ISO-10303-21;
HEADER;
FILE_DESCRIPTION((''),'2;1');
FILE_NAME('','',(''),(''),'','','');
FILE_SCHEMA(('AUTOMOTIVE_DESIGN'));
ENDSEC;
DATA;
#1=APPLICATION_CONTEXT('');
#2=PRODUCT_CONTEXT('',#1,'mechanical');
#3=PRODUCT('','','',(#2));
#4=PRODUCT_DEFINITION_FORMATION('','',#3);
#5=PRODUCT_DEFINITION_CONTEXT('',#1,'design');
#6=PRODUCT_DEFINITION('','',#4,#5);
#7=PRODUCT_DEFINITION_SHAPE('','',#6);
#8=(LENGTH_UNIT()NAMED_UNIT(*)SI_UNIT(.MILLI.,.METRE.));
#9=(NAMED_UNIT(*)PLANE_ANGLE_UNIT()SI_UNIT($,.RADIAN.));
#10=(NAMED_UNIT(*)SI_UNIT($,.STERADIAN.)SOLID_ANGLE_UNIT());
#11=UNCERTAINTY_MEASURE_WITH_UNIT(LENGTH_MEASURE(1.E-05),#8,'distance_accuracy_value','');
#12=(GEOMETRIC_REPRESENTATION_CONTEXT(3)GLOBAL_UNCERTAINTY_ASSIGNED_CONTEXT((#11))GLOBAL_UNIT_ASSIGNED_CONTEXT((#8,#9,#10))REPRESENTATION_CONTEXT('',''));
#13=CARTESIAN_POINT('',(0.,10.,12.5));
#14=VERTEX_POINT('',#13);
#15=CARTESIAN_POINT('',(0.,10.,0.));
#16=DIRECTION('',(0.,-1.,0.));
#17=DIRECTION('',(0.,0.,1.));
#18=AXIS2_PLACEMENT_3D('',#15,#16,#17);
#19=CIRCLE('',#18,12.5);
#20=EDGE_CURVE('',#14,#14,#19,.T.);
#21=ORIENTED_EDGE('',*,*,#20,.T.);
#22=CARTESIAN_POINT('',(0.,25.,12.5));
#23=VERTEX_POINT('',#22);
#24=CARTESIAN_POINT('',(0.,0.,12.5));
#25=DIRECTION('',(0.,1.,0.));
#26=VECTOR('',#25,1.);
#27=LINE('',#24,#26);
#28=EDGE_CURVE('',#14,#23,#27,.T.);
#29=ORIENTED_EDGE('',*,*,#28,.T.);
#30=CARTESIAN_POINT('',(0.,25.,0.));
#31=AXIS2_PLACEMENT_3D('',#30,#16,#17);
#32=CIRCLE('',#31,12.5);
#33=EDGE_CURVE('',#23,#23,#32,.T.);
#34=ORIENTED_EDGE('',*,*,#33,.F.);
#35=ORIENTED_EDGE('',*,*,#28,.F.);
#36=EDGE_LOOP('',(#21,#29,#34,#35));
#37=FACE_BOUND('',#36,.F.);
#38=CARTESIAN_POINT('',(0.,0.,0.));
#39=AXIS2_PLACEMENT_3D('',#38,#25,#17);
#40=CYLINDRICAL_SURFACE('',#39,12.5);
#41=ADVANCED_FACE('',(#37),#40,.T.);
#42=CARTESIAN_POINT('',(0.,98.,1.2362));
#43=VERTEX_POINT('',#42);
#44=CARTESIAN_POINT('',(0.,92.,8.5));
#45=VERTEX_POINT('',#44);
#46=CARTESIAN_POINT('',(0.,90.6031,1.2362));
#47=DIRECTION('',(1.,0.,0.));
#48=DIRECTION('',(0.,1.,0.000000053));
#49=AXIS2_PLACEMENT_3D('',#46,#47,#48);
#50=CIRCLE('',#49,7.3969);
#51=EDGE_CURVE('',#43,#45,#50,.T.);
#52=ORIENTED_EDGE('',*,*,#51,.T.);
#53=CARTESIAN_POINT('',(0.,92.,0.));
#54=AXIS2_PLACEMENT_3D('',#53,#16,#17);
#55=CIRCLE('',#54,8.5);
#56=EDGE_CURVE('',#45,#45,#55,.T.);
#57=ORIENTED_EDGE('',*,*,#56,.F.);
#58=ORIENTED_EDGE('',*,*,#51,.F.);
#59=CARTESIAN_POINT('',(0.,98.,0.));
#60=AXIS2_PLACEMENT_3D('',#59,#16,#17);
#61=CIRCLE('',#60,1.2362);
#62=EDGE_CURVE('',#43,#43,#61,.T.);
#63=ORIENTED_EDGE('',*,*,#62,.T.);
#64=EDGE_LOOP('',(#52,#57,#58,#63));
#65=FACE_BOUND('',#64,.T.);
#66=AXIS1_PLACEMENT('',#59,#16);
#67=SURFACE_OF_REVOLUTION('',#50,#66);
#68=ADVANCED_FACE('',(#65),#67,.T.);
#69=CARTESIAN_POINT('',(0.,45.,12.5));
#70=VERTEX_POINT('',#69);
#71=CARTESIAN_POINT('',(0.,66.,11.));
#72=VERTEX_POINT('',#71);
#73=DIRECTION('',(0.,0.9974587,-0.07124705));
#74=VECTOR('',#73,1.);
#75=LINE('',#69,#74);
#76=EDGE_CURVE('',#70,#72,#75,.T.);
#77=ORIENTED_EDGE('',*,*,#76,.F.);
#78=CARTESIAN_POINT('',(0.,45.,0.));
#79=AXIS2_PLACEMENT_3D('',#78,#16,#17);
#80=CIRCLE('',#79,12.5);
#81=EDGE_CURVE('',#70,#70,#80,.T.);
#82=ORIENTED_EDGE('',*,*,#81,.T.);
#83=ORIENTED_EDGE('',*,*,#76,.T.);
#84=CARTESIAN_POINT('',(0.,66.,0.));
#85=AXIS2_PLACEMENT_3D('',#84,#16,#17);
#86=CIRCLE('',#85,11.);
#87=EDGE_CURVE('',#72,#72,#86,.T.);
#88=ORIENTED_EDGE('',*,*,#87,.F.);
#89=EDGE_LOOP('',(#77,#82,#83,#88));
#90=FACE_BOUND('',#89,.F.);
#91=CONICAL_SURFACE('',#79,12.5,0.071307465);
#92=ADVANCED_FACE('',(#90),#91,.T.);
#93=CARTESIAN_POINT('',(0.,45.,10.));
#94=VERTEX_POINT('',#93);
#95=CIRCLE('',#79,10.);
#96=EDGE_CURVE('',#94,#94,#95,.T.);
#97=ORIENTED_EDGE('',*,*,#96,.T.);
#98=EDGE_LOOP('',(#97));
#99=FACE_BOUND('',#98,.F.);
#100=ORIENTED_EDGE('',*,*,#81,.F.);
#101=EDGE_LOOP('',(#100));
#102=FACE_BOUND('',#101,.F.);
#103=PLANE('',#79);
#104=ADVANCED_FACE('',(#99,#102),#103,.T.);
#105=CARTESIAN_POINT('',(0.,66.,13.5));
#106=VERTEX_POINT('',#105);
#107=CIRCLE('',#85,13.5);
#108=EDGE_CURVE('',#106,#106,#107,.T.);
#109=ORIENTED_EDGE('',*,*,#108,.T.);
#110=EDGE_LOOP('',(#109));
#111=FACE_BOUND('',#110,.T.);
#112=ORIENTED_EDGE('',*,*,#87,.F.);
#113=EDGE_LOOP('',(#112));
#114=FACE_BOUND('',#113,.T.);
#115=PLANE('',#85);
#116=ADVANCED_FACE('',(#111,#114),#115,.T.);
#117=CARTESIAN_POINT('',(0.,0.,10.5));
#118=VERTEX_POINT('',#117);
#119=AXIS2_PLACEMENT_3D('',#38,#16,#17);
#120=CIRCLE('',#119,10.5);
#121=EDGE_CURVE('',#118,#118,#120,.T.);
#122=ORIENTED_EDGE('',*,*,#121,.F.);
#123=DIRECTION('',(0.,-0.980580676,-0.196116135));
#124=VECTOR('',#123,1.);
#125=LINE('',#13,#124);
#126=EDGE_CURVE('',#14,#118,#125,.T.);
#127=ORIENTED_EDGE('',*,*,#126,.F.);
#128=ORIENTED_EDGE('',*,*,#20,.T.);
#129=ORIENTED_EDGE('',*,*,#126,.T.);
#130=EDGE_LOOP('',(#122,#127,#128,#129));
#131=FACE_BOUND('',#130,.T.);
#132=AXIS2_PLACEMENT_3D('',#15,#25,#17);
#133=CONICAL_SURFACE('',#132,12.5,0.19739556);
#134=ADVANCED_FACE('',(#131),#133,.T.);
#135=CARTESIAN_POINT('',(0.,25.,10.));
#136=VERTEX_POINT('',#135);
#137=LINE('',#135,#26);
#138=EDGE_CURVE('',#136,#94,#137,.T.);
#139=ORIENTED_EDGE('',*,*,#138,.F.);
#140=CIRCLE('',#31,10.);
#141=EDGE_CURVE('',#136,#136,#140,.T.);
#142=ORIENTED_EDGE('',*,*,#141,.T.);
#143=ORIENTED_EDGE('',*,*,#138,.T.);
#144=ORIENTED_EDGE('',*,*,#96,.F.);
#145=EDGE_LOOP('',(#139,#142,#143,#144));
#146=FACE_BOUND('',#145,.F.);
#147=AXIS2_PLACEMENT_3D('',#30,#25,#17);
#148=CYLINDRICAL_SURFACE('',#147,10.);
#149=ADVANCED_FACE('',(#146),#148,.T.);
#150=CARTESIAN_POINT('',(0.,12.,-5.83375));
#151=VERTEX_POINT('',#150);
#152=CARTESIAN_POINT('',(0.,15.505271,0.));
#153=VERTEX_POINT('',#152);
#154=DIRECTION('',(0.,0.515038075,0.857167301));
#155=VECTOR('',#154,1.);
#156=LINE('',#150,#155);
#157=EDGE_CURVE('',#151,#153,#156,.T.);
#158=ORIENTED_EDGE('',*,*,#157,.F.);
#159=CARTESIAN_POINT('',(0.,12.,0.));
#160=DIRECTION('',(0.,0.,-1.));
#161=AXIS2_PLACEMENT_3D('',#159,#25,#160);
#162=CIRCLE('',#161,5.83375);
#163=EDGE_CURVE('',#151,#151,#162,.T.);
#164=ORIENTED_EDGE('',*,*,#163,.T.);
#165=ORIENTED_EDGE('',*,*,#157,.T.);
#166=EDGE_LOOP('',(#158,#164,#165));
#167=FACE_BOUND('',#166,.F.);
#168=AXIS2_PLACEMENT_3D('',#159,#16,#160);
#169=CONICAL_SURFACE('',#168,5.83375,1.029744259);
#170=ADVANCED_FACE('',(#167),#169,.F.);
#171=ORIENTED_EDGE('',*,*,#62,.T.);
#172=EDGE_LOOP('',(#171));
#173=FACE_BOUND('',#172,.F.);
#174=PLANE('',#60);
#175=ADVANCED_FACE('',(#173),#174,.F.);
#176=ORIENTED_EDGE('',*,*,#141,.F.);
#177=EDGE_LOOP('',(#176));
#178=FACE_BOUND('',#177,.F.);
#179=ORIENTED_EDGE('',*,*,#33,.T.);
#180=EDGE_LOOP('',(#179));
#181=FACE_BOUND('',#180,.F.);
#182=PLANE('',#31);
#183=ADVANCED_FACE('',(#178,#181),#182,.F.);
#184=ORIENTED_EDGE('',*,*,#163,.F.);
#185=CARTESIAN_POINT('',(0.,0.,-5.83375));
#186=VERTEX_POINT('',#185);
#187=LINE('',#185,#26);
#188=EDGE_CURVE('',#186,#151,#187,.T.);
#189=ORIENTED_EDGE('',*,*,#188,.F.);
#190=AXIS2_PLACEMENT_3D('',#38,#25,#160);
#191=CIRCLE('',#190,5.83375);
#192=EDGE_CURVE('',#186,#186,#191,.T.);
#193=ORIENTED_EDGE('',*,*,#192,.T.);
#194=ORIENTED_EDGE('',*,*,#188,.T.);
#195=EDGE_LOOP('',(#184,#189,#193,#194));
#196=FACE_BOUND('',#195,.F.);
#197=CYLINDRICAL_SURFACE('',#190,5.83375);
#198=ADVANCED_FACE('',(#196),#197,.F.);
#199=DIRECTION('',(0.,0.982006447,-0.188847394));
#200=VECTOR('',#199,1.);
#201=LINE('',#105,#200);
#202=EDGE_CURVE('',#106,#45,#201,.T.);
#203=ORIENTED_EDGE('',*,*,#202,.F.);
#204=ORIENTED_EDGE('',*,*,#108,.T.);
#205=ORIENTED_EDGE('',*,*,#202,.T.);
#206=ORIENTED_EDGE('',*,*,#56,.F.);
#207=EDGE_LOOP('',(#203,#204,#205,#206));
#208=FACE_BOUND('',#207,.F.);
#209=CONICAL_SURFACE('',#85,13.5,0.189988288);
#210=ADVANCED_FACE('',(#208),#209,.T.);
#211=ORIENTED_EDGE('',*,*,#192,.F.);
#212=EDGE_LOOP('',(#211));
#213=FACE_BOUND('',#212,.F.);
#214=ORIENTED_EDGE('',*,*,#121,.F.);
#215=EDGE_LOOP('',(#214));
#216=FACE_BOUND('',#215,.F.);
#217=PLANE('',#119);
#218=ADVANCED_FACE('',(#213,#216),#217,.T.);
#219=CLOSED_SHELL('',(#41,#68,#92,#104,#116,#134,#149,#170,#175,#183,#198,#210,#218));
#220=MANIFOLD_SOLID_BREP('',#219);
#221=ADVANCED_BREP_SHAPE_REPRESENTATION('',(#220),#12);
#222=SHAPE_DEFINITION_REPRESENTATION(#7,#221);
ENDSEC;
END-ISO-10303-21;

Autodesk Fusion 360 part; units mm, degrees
sketch "Sketch1" plane through (0, 0, 0) normal (1, 0, 0) x (0, 1, 0)
  line L0 (0, 0) -> (0, 12.5)
  line L1 (0, 12.5) -> (25, 12.5)
  line L2 (25, 12.5) -> (25, 10)
  line L3 (25, 10) -> (45, 10)
  line L4 (45, 10) -> (45, 12.5)
  line L5 (45, 12.5) -> (66, 12.5) construction
  line L6 (66, 12.5) -> (66, 11)
  line L7 (45, 12.5) -> (66, 11)
  line L8 (66, 12.5) -> (66, 13.5)
  line L9 (66, 13.5) -> (92, 13.5) construction
  line L10 (92, 13.5) -> (92, 8.5) construction
  line L11 (66, 13.5) -> (92, 8.5)
  line L12 (66, 13.5) -> (98, 13.5) construction
  line L13 (98, 13.5) -> (98, 0)
  arc A0 (98, 1.2362) -> (92, 8.5) centre (90.6031, 1.2362) ccw
  line L14 (98, 0) -> (0, 0)
  dimension "d1" = 12.5
  dimension "d2" = 25
  dimension "d4" = 20
  dimension "d6" = 21
  dimension "d9" = 26
  dimension "d10" = 5
  dimension "d11" = 13.5
  dimension "d12" = 12.5
  dimension "d13" = 10
  dimension "d14" = 11
  dimension "d15" = 32
  dimension "d16" = 7.3969
revolve "Revolve1" add sketch "Sketch1" angle 360 about axis through (0, 98, 0) along (0, -1, 0)
hole "Hole1" at (0, 0, 0) direction (0, 1, 0) diameter 11.6675 depth 12 tip angle 118
chamfer "Chamfer1" distance 10 distance2 2 1 edges at (-11.6541, 0, 4.5202) measured on face at (1.2446, 16.6667, 12.4379)
equation "d1 = 25 mm / 2"
